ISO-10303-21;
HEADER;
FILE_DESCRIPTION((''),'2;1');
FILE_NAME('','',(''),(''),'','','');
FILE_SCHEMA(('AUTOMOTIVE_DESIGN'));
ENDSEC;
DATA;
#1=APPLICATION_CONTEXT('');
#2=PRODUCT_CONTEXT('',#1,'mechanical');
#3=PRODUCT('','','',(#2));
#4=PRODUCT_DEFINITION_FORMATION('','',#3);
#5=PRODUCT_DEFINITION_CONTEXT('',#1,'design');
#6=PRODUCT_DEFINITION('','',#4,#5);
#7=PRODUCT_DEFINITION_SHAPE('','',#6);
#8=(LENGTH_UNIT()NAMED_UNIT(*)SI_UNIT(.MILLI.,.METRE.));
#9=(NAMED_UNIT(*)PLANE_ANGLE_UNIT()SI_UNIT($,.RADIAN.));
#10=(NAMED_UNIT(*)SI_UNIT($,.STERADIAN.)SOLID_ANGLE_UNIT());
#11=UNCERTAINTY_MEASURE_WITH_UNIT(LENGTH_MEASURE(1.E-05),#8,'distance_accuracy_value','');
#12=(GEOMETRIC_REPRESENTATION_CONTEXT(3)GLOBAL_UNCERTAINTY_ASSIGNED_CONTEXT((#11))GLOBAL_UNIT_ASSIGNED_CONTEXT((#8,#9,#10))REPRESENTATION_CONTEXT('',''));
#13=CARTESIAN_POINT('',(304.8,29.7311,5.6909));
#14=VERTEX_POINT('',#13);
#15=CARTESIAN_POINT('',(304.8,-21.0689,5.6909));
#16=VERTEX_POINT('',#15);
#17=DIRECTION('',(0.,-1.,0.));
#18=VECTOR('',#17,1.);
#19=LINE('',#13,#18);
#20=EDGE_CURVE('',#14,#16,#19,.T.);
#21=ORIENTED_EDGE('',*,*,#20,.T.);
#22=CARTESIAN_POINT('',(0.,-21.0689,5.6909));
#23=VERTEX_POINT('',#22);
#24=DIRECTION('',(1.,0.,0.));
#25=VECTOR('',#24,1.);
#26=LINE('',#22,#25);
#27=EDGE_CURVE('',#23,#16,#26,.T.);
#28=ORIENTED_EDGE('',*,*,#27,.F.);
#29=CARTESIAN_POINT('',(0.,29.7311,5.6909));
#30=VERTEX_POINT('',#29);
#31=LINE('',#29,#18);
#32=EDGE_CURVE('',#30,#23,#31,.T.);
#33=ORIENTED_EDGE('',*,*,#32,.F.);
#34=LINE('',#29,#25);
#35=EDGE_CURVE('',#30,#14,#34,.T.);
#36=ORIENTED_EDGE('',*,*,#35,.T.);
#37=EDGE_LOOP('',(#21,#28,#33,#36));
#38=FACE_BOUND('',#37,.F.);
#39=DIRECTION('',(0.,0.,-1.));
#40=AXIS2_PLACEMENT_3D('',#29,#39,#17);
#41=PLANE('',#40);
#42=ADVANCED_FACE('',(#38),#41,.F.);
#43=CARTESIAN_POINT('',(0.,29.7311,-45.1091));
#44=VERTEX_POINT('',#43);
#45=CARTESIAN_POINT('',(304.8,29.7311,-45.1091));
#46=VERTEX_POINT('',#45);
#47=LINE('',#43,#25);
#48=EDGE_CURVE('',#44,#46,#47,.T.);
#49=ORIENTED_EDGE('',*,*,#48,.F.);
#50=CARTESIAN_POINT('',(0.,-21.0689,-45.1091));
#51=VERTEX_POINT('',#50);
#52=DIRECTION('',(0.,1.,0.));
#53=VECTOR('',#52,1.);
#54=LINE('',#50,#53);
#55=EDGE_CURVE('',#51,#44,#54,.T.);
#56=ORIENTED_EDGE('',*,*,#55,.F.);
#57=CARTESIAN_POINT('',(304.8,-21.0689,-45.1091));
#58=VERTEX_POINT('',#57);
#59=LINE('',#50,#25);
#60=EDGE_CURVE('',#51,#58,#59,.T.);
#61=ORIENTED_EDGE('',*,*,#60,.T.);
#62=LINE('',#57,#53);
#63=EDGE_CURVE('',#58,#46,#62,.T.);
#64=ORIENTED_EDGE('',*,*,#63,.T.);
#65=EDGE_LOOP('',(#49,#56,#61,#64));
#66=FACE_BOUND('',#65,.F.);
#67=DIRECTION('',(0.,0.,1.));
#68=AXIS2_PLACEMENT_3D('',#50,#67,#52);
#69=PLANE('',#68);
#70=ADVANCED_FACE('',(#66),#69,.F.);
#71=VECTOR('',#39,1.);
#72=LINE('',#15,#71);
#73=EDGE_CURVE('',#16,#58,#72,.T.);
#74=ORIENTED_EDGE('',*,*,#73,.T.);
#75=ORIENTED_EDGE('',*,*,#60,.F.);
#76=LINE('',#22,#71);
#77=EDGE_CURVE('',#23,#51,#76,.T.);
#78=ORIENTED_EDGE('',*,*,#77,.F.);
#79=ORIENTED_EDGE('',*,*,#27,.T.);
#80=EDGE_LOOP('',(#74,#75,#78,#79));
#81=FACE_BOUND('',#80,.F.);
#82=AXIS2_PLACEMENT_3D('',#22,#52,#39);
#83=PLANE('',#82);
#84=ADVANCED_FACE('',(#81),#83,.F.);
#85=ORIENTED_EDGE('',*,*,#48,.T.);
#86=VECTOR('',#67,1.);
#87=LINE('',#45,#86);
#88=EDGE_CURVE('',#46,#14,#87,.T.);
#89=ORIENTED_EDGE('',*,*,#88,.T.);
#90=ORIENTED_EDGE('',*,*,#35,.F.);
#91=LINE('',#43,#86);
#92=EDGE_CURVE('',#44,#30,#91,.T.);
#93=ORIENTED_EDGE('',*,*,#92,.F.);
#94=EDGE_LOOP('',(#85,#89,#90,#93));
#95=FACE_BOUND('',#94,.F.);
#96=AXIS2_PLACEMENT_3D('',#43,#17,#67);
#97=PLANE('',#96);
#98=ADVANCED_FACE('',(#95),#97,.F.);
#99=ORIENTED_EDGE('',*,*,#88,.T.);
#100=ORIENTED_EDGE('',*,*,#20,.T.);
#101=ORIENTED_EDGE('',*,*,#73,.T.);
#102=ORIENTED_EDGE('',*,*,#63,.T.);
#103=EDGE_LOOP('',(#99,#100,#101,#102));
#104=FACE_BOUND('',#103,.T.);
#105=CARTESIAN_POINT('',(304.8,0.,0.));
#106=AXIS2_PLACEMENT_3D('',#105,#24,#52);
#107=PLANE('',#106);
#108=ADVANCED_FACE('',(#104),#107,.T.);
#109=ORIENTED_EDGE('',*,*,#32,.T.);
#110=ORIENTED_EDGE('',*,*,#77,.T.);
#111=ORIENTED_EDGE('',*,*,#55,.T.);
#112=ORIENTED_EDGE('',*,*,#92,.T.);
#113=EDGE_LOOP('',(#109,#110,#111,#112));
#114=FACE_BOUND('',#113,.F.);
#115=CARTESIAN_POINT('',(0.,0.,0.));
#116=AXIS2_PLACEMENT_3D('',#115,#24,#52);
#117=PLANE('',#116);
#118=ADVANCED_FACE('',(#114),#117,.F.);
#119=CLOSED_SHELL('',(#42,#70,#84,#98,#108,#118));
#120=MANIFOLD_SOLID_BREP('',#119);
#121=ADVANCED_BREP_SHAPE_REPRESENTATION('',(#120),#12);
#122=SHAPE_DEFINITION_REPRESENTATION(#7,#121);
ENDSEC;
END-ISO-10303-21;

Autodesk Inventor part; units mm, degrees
ref_plane "YZ Plane" through (0, 0, 0) normal (1, 0, 0) x (0, 1, 0)
ref_plane "XZ Plane" through (0, 0, 0) normal (0, 1, 0) x (-1, 0, 0)
ref_plane "XY Plane" through (0, 0, 0) normal (0, 0, 1) x (1, 0, 0)
sketch "Sketch1" plane through (0, 0, 0) normal (1, 0, 0) x (0, 1, 0)
  line L0 (29.7311, 5.6909) -> (-21.0689, 5.6909)
  line L1 (-21.0689, 5.6909) -> (-21.0689, -45.1091)
  line L2 (-21.0689, -45.1091) -> (29.7311, -45.1091)
  line L3 (29.7311, -45.1091) -> (29.7311, 5.6909)
  point P0 (0, 0)
  dimension "d0" = 50.8
  dimension "d1" = 50.8
extrude "Extrusion1" add sketch "Sketch1" along normal blind 304.8
properties part number "2x2 Beam Test"
